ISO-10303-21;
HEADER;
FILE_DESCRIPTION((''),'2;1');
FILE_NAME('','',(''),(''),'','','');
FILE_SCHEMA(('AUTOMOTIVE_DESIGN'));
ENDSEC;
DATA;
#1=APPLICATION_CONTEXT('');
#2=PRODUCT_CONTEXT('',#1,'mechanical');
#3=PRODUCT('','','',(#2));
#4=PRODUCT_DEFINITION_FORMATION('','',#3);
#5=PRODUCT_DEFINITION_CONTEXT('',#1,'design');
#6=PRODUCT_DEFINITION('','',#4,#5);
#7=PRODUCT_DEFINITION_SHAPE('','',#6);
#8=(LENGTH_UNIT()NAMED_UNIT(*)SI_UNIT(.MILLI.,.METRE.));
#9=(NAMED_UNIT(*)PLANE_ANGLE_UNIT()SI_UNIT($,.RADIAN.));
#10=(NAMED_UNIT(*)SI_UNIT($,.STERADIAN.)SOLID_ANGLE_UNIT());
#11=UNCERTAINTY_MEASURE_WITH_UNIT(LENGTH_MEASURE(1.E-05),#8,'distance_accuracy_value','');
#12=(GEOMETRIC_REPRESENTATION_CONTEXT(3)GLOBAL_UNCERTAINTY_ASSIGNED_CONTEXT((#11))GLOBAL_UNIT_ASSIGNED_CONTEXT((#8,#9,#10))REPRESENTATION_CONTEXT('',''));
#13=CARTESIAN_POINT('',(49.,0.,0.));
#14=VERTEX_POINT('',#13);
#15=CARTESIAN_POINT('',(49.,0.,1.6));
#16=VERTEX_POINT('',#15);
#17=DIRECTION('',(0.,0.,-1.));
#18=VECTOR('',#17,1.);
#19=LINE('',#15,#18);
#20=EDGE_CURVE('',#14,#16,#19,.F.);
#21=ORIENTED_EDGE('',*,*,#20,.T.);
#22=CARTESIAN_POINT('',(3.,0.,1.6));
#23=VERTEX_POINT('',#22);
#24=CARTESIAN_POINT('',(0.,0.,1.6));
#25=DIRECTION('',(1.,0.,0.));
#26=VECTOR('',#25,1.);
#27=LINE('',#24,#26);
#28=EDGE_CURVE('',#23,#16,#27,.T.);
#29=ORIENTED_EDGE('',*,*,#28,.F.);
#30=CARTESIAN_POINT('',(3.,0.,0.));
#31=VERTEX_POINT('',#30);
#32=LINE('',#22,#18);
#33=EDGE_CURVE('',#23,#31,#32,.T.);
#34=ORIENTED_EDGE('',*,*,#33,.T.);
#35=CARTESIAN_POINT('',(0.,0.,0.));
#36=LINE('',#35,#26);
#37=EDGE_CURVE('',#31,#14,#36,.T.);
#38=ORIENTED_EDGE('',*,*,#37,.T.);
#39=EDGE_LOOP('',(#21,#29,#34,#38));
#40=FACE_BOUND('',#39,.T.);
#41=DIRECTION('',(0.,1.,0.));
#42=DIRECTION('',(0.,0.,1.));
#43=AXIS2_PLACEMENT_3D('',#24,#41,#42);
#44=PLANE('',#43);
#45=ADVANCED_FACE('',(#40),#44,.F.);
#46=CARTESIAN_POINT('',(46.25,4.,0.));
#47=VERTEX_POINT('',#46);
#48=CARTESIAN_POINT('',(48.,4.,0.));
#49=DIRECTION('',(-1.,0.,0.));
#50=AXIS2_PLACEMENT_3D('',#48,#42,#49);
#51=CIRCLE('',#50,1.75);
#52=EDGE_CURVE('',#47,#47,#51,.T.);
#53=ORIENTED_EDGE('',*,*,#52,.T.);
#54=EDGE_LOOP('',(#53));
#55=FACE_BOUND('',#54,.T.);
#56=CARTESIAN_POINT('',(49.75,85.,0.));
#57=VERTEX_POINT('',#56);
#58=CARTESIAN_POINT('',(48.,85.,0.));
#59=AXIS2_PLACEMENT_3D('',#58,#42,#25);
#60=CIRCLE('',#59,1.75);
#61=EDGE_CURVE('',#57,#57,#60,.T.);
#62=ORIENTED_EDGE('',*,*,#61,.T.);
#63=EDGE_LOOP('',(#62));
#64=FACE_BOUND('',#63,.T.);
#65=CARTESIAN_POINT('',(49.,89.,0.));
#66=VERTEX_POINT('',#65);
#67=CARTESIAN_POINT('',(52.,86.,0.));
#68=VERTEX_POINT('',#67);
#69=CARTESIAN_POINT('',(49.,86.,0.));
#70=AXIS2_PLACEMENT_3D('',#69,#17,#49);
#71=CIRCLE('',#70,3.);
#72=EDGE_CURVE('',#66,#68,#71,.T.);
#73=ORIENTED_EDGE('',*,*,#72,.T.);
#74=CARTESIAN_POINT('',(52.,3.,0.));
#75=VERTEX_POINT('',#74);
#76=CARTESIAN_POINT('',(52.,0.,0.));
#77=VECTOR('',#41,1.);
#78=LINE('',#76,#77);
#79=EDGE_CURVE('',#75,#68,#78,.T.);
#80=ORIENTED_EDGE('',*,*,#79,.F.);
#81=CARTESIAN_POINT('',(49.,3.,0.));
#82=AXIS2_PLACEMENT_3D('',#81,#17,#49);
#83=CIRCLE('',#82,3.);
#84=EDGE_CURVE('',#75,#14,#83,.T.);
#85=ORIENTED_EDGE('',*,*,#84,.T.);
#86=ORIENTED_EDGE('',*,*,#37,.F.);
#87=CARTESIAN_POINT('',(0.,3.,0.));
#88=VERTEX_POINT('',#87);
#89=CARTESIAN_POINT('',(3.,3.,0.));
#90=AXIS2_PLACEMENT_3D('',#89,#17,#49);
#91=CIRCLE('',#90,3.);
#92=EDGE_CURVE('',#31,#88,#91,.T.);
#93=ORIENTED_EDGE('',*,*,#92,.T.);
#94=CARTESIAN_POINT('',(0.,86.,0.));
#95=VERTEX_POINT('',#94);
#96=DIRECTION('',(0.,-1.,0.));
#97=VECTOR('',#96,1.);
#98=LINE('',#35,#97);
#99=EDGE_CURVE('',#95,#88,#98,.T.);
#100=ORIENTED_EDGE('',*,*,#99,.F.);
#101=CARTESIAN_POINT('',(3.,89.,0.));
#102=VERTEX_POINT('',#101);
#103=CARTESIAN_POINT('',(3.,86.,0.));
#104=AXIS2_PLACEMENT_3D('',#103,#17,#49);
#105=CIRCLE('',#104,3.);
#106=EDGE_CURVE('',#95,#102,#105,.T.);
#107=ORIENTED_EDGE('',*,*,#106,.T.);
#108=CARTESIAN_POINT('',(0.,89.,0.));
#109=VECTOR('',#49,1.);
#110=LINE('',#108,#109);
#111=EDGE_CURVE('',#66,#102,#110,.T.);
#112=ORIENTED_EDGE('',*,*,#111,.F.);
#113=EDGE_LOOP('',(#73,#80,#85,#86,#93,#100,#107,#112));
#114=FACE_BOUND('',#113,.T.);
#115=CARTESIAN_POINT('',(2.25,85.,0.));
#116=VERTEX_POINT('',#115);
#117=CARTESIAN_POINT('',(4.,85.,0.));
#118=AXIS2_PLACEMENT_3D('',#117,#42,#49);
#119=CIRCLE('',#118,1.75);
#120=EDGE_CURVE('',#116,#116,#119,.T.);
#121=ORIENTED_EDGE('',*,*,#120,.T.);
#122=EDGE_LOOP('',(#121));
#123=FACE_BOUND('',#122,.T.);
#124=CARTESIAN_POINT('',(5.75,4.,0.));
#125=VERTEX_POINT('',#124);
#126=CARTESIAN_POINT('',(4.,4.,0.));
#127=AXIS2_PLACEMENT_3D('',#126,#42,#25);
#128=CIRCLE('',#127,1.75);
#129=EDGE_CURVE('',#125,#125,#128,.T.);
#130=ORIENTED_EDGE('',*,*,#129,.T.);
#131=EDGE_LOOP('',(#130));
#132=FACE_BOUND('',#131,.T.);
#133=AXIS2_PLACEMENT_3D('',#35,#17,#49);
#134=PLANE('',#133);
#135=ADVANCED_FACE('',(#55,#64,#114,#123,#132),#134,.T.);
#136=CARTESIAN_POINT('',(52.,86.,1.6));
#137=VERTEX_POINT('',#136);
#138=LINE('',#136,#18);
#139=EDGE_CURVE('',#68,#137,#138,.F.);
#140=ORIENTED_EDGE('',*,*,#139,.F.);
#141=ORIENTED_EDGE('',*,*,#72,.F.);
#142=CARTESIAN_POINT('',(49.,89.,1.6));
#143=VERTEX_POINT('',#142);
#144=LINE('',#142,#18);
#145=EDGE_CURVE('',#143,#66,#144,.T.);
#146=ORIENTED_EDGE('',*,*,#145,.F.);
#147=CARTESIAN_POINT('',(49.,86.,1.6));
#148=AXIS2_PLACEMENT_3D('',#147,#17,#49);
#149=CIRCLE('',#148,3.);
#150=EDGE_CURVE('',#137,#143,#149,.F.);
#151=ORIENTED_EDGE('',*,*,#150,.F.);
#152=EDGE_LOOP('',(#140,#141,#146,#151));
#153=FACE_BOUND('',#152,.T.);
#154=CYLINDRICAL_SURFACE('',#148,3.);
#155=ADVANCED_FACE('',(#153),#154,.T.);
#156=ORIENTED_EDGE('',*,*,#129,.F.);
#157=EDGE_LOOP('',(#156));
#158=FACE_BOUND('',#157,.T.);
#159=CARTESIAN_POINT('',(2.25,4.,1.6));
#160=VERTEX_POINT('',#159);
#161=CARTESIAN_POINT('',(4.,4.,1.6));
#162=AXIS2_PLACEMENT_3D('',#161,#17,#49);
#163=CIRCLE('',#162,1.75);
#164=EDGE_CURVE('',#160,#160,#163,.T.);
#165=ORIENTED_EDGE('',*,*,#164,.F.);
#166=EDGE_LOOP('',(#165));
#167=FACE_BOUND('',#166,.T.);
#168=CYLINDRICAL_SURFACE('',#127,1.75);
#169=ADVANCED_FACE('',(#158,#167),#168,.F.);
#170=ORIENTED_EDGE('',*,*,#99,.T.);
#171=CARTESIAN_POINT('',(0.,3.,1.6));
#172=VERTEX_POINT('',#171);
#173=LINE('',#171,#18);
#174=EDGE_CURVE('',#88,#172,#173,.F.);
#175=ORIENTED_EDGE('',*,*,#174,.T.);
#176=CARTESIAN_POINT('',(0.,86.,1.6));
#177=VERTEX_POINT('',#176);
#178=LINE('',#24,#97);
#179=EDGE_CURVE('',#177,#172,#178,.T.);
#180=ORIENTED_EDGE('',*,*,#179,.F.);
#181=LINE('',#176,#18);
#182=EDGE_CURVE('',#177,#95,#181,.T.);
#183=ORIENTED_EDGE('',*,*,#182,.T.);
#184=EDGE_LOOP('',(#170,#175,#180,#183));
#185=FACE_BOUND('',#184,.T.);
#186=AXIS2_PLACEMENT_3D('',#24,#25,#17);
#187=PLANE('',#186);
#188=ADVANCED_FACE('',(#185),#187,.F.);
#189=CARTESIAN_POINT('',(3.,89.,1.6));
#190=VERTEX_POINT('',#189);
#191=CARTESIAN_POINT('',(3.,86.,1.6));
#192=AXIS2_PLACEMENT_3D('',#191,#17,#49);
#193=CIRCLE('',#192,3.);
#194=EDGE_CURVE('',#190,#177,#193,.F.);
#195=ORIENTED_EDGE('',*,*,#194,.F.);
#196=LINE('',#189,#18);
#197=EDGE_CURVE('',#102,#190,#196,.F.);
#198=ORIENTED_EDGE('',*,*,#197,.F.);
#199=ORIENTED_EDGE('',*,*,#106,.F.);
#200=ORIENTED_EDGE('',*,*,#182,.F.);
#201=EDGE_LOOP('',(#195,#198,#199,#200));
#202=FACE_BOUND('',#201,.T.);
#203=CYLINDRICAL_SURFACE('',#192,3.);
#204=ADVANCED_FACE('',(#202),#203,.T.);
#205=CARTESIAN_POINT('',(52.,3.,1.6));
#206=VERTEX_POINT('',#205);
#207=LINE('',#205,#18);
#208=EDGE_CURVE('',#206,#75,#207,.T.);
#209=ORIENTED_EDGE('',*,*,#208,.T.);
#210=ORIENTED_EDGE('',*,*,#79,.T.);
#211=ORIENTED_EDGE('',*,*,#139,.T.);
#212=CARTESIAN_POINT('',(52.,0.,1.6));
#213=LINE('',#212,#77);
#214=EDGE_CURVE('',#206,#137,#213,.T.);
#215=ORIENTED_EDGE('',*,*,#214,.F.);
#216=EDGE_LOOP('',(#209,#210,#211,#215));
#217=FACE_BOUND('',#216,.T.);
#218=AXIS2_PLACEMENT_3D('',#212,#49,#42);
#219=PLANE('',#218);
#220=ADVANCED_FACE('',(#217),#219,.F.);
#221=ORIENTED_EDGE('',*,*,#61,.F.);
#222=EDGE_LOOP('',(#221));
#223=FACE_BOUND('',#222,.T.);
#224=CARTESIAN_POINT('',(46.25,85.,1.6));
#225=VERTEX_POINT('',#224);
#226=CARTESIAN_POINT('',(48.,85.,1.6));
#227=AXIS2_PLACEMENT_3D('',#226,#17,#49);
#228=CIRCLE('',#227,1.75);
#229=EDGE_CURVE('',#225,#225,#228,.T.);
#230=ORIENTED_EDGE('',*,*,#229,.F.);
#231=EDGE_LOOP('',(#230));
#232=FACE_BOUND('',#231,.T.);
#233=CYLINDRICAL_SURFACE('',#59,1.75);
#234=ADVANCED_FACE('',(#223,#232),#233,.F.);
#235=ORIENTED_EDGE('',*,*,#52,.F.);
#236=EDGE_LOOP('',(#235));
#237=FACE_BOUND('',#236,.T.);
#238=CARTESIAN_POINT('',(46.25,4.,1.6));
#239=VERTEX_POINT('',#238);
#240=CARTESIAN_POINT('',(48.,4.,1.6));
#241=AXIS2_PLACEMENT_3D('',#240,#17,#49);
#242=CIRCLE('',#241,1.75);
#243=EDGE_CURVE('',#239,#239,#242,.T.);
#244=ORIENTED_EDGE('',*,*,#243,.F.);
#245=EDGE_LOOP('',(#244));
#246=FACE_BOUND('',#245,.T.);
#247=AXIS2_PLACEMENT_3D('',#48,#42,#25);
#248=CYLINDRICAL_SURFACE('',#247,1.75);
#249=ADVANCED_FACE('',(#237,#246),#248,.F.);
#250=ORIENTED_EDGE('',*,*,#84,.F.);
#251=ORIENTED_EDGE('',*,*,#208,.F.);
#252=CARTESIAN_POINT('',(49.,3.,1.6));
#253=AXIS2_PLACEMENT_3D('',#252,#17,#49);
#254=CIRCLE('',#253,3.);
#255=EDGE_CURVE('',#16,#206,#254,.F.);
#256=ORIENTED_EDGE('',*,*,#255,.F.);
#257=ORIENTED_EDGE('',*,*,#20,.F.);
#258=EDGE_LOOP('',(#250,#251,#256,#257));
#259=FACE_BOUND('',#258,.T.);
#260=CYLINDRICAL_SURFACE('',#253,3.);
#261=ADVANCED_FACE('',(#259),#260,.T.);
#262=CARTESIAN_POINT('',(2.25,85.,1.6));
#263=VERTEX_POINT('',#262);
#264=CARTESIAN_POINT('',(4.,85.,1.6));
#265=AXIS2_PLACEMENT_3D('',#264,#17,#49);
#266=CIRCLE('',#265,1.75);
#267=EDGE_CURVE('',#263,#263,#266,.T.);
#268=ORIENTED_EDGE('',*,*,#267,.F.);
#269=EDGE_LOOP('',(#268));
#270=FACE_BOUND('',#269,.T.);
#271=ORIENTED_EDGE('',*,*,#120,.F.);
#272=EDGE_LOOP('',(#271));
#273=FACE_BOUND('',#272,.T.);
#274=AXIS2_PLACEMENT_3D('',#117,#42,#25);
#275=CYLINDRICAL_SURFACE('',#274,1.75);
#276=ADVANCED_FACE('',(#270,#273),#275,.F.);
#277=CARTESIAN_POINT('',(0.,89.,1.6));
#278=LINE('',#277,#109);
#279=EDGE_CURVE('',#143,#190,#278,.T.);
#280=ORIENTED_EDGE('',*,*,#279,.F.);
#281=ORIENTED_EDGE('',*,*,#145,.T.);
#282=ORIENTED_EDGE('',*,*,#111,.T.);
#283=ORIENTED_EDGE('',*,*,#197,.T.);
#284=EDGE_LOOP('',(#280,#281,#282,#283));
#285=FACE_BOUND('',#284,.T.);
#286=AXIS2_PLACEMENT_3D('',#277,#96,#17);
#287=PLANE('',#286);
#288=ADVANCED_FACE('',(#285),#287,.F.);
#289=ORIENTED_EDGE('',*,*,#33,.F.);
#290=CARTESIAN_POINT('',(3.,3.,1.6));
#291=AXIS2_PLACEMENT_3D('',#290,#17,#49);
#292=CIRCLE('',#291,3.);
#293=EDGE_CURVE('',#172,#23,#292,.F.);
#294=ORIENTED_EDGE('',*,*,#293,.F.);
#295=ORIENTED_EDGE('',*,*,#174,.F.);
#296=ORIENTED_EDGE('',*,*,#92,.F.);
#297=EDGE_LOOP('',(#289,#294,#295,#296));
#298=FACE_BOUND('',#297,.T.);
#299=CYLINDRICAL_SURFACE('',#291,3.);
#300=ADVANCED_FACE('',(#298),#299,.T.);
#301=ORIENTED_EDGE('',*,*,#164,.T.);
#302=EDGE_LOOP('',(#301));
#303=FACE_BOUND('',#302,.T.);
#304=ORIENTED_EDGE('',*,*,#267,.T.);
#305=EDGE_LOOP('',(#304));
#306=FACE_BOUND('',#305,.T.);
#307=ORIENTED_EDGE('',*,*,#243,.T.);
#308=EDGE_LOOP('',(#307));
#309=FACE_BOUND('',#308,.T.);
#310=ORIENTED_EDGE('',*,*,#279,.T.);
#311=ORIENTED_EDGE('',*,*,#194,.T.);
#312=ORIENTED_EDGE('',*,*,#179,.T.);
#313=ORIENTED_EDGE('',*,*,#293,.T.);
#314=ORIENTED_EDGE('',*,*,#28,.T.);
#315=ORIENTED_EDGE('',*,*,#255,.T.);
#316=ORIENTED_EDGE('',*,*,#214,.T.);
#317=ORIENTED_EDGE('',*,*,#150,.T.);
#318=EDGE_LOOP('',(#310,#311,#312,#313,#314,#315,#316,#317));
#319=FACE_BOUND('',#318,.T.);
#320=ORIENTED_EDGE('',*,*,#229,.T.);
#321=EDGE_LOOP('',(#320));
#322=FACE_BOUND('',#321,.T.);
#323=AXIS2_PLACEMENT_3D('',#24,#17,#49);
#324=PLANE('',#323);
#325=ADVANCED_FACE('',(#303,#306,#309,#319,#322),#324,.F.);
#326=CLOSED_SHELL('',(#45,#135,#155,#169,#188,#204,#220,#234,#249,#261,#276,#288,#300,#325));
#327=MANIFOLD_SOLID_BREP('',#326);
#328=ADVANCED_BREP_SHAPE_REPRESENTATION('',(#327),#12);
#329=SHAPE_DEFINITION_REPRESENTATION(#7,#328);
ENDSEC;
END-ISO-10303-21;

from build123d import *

# Parameters (mm, degrees)
ESQUISSE1_W                  = 52
ESQUISSE1_H                  = 89
BOSS_EXTRU_1_DEPTH           = 1.6
ENL_V_MAT_EXTRU_1_DEPTH      = 104.090057717
ENL_V_MAT_EXTRU_1_DEPTH_BACK = 104.090057717
ESQUISSE2_R                  = 1.75
CONG_1_R                     = 3


with BuildPart() as part:
    # Esquisse1 → Boss.-Extru.1 (new body)
    with BuildSketch(Plane.XY):
        with Locations((26, 44.5)):
            Rectangle(ESQUISSE1_W, ESQUISSE1_H)
    extrude(amount=BOSS_EXTRU_1_DEPTH)

    # Esquisse2 → Enlèv. mat.-Extru.1 (cut, two sides: drawn at the far end of the back side and taken through both)
    with BuildSketch(Plane.XY.offset(1.6).offset(-ENL_V_MAT_EXTRU_1_DEPTH_BACK)):
        with Locations((48, 85)):
            Circle(ESQUISSE2_R)
        with Locations(Location((48, 4, 0), (0, 0, 180))):
            Circle(ESQUISSE2_R)
        with Locations((4, 4)):
            Circle(ESQUISSE2_R)
        with Locations(Location((4, 85, 0), (0, 0, 180))):
            Circle(ESQUISSE2_R)
    extrude(amount=ENL_V_MAT_EXTRU_1_DEPTH + ENL_V_MAT_EXTRU_1_DEPTH_BACK, mode=Mode.SUBTRACT)

    # Congé1
    cong_1_edges = [part.edges().sort_by_distance(p)[0] for p in [
        (0, 89, 0.8),
        (52, 89, 0.8),
        (52, 0, 0.8),
        (0, 0, 0.8),
    ]]
    fillet(cong_1_edges, radius=CONG_1_R)


solid = part.part
